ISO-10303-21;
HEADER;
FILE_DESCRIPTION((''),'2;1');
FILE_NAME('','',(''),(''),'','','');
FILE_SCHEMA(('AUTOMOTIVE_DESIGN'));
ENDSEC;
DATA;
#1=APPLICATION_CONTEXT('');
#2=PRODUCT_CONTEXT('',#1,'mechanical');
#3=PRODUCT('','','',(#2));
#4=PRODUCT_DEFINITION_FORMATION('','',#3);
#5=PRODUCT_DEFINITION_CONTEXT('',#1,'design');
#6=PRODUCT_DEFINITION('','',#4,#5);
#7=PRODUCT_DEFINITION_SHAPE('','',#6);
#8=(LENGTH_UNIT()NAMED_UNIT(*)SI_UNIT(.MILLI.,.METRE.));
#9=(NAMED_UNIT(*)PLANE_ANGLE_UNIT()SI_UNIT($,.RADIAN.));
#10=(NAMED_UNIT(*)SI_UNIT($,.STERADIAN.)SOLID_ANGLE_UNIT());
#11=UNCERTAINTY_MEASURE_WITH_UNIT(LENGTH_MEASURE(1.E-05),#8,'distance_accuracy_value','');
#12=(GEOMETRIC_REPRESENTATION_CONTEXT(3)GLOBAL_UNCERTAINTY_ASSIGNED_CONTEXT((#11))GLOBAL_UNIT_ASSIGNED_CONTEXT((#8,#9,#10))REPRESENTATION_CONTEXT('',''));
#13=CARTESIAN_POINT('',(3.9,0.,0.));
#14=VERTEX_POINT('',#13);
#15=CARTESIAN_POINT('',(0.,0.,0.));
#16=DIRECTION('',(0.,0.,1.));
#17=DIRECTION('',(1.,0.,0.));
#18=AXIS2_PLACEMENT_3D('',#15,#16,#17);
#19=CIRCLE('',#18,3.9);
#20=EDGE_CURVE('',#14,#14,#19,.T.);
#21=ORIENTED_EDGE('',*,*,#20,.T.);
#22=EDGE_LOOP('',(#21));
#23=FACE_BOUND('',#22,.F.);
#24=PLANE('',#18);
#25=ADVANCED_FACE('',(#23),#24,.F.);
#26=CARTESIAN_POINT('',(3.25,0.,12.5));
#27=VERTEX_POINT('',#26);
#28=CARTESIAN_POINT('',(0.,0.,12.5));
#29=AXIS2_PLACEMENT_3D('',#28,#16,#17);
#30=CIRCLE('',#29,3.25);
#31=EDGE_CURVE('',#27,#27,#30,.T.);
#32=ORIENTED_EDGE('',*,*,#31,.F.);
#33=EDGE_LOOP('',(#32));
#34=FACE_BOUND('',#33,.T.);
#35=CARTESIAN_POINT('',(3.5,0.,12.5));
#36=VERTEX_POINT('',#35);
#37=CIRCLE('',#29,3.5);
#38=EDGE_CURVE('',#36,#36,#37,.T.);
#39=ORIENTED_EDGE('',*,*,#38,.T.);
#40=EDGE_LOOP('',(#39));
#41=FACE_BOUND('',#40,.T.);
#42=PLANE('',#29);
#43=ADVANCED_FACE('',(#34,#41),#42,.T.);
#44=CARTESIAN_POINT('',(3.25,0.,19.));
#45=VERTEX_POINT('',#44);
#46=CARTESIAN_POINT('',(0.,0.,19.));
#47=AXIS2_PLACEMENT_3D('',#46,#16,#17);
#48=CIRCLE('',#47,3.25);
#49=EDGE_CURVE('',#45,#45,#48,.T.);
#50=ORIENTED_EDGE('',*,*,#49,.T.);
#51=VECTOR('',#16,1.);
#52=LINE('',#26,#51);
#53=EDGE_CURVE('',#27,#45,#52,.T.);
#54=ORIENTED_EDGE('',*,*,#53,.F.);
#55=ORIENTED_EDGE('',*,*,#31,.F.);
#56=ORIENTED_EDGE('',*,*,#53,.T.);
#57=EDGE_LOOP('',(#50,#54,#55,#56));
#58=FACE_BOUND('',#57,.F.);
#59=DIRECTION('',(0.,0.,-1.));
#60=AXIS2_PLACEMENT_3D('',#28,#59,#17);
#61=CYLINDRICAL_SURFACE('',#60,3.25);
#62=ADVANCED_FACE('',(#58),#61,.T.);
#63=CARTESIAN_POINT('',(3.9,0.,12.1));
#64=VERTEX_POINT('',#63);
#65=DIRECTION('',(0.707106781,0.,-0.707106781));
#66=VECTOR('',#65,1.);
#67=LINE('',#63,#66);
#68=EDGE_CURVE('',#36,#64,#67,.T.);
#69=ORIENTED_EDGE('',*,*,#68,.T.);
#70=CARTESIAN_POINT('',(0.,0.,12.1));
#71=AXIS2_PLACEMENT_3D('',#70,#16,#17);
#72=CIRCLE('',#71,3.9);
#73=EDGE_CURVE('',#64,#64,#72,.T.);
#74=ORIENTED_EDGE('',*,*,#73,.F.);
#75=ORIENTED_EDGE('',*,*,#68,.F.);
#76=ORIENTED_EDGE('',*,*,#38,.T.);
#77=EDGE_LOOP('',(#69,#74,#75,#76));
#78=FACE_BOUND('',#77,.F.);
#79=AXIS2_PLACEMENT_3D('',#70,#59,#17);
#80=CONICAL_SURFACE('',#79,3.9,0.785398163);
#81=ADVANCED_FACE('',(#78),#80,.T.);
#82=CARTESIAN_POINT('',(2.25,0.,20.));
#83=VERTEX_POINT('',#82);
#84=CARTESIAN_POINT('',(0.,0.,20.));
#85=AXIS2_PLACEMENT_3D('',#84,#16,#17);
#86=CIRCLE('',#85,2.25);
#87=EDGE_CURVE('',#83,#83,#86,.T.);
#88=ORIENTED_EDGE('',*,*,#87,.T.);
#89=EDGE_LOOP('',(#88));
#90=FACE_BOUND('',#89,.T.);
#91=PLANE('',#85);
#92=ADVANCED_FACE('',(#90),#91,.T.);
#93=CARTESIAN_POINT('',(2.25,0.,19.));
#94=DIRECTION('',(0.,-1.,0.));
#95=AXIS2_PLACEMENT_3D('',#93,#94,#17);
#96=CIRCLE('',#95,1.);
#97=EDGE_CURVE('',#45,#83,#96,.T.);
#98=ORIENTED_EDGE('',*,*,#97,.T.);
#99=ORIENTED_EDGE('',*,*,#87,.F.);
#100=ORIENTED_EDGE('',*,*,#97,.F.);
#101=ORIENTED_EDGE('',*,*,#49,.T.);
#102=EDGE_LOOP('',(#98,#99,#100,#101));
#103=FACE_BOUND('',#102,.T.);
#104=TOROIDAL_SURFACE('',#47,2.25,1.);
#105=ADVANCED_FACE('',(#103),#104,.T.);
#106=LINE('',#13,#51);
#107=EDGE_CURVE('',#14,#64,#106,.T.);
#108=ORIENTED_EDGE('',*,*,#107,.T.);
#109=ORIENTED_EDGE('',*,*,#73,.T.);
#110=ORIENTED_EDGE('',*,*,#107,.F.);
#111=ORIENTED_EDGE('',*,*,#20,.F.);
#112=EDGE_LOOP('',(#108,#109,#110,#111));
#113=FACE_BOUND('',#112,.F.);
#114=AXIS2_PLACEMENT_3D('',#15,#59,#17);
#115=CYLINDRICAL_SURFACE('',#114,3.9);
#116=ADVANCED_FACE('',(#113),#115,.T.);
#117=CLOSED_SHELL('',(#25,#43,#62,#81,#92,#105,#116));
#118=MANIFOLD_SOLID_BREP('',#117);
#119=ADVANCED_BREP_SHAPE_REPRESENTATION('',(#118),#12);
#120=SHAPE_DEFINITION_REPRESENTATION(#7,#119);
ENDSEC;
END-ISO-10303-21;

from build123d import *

# Parameters (mm, degrees)
SKETCH_R     = 3.9
PAD_DEPTH    = 12.5
SKETCH001_R  = 3.25
PAD001_DEPTH = 7.5
FILLET_R     = 1
CHAMFER_SIZE = 0.4


with BuildPart() as part:
    # Sketch → Pad (new body)
    with BuildSketch(Plane.XY):
        Circle(SKETCH_R)
    extrude(amount=PAD_DEPTH)

    # Sketch001 (on Face3 of Pad) → Pad001 (join)
    with BuildSketch(Plane.XY.offset(12.5)):
        Circle(SKETCH001_R)
    extrude(amount=PAD001_DEPTH)

    # Fillet
    fillet_edges = [part.edges().sort_by_distance(p)[0] for p in [
        (-3.25, 0, 20),
    ]]
    fillet(fillet_edges, radius=FILLET_R)

    # Chamfer
    chamfer_edges = [part.edges().sort_by_distance(p)[0] for p in [
        (-3.9, 0, 12.5),
    ]]
    chamfer(chamfer_edges, length=CHAMFER_SIZE)


solid = part.part
